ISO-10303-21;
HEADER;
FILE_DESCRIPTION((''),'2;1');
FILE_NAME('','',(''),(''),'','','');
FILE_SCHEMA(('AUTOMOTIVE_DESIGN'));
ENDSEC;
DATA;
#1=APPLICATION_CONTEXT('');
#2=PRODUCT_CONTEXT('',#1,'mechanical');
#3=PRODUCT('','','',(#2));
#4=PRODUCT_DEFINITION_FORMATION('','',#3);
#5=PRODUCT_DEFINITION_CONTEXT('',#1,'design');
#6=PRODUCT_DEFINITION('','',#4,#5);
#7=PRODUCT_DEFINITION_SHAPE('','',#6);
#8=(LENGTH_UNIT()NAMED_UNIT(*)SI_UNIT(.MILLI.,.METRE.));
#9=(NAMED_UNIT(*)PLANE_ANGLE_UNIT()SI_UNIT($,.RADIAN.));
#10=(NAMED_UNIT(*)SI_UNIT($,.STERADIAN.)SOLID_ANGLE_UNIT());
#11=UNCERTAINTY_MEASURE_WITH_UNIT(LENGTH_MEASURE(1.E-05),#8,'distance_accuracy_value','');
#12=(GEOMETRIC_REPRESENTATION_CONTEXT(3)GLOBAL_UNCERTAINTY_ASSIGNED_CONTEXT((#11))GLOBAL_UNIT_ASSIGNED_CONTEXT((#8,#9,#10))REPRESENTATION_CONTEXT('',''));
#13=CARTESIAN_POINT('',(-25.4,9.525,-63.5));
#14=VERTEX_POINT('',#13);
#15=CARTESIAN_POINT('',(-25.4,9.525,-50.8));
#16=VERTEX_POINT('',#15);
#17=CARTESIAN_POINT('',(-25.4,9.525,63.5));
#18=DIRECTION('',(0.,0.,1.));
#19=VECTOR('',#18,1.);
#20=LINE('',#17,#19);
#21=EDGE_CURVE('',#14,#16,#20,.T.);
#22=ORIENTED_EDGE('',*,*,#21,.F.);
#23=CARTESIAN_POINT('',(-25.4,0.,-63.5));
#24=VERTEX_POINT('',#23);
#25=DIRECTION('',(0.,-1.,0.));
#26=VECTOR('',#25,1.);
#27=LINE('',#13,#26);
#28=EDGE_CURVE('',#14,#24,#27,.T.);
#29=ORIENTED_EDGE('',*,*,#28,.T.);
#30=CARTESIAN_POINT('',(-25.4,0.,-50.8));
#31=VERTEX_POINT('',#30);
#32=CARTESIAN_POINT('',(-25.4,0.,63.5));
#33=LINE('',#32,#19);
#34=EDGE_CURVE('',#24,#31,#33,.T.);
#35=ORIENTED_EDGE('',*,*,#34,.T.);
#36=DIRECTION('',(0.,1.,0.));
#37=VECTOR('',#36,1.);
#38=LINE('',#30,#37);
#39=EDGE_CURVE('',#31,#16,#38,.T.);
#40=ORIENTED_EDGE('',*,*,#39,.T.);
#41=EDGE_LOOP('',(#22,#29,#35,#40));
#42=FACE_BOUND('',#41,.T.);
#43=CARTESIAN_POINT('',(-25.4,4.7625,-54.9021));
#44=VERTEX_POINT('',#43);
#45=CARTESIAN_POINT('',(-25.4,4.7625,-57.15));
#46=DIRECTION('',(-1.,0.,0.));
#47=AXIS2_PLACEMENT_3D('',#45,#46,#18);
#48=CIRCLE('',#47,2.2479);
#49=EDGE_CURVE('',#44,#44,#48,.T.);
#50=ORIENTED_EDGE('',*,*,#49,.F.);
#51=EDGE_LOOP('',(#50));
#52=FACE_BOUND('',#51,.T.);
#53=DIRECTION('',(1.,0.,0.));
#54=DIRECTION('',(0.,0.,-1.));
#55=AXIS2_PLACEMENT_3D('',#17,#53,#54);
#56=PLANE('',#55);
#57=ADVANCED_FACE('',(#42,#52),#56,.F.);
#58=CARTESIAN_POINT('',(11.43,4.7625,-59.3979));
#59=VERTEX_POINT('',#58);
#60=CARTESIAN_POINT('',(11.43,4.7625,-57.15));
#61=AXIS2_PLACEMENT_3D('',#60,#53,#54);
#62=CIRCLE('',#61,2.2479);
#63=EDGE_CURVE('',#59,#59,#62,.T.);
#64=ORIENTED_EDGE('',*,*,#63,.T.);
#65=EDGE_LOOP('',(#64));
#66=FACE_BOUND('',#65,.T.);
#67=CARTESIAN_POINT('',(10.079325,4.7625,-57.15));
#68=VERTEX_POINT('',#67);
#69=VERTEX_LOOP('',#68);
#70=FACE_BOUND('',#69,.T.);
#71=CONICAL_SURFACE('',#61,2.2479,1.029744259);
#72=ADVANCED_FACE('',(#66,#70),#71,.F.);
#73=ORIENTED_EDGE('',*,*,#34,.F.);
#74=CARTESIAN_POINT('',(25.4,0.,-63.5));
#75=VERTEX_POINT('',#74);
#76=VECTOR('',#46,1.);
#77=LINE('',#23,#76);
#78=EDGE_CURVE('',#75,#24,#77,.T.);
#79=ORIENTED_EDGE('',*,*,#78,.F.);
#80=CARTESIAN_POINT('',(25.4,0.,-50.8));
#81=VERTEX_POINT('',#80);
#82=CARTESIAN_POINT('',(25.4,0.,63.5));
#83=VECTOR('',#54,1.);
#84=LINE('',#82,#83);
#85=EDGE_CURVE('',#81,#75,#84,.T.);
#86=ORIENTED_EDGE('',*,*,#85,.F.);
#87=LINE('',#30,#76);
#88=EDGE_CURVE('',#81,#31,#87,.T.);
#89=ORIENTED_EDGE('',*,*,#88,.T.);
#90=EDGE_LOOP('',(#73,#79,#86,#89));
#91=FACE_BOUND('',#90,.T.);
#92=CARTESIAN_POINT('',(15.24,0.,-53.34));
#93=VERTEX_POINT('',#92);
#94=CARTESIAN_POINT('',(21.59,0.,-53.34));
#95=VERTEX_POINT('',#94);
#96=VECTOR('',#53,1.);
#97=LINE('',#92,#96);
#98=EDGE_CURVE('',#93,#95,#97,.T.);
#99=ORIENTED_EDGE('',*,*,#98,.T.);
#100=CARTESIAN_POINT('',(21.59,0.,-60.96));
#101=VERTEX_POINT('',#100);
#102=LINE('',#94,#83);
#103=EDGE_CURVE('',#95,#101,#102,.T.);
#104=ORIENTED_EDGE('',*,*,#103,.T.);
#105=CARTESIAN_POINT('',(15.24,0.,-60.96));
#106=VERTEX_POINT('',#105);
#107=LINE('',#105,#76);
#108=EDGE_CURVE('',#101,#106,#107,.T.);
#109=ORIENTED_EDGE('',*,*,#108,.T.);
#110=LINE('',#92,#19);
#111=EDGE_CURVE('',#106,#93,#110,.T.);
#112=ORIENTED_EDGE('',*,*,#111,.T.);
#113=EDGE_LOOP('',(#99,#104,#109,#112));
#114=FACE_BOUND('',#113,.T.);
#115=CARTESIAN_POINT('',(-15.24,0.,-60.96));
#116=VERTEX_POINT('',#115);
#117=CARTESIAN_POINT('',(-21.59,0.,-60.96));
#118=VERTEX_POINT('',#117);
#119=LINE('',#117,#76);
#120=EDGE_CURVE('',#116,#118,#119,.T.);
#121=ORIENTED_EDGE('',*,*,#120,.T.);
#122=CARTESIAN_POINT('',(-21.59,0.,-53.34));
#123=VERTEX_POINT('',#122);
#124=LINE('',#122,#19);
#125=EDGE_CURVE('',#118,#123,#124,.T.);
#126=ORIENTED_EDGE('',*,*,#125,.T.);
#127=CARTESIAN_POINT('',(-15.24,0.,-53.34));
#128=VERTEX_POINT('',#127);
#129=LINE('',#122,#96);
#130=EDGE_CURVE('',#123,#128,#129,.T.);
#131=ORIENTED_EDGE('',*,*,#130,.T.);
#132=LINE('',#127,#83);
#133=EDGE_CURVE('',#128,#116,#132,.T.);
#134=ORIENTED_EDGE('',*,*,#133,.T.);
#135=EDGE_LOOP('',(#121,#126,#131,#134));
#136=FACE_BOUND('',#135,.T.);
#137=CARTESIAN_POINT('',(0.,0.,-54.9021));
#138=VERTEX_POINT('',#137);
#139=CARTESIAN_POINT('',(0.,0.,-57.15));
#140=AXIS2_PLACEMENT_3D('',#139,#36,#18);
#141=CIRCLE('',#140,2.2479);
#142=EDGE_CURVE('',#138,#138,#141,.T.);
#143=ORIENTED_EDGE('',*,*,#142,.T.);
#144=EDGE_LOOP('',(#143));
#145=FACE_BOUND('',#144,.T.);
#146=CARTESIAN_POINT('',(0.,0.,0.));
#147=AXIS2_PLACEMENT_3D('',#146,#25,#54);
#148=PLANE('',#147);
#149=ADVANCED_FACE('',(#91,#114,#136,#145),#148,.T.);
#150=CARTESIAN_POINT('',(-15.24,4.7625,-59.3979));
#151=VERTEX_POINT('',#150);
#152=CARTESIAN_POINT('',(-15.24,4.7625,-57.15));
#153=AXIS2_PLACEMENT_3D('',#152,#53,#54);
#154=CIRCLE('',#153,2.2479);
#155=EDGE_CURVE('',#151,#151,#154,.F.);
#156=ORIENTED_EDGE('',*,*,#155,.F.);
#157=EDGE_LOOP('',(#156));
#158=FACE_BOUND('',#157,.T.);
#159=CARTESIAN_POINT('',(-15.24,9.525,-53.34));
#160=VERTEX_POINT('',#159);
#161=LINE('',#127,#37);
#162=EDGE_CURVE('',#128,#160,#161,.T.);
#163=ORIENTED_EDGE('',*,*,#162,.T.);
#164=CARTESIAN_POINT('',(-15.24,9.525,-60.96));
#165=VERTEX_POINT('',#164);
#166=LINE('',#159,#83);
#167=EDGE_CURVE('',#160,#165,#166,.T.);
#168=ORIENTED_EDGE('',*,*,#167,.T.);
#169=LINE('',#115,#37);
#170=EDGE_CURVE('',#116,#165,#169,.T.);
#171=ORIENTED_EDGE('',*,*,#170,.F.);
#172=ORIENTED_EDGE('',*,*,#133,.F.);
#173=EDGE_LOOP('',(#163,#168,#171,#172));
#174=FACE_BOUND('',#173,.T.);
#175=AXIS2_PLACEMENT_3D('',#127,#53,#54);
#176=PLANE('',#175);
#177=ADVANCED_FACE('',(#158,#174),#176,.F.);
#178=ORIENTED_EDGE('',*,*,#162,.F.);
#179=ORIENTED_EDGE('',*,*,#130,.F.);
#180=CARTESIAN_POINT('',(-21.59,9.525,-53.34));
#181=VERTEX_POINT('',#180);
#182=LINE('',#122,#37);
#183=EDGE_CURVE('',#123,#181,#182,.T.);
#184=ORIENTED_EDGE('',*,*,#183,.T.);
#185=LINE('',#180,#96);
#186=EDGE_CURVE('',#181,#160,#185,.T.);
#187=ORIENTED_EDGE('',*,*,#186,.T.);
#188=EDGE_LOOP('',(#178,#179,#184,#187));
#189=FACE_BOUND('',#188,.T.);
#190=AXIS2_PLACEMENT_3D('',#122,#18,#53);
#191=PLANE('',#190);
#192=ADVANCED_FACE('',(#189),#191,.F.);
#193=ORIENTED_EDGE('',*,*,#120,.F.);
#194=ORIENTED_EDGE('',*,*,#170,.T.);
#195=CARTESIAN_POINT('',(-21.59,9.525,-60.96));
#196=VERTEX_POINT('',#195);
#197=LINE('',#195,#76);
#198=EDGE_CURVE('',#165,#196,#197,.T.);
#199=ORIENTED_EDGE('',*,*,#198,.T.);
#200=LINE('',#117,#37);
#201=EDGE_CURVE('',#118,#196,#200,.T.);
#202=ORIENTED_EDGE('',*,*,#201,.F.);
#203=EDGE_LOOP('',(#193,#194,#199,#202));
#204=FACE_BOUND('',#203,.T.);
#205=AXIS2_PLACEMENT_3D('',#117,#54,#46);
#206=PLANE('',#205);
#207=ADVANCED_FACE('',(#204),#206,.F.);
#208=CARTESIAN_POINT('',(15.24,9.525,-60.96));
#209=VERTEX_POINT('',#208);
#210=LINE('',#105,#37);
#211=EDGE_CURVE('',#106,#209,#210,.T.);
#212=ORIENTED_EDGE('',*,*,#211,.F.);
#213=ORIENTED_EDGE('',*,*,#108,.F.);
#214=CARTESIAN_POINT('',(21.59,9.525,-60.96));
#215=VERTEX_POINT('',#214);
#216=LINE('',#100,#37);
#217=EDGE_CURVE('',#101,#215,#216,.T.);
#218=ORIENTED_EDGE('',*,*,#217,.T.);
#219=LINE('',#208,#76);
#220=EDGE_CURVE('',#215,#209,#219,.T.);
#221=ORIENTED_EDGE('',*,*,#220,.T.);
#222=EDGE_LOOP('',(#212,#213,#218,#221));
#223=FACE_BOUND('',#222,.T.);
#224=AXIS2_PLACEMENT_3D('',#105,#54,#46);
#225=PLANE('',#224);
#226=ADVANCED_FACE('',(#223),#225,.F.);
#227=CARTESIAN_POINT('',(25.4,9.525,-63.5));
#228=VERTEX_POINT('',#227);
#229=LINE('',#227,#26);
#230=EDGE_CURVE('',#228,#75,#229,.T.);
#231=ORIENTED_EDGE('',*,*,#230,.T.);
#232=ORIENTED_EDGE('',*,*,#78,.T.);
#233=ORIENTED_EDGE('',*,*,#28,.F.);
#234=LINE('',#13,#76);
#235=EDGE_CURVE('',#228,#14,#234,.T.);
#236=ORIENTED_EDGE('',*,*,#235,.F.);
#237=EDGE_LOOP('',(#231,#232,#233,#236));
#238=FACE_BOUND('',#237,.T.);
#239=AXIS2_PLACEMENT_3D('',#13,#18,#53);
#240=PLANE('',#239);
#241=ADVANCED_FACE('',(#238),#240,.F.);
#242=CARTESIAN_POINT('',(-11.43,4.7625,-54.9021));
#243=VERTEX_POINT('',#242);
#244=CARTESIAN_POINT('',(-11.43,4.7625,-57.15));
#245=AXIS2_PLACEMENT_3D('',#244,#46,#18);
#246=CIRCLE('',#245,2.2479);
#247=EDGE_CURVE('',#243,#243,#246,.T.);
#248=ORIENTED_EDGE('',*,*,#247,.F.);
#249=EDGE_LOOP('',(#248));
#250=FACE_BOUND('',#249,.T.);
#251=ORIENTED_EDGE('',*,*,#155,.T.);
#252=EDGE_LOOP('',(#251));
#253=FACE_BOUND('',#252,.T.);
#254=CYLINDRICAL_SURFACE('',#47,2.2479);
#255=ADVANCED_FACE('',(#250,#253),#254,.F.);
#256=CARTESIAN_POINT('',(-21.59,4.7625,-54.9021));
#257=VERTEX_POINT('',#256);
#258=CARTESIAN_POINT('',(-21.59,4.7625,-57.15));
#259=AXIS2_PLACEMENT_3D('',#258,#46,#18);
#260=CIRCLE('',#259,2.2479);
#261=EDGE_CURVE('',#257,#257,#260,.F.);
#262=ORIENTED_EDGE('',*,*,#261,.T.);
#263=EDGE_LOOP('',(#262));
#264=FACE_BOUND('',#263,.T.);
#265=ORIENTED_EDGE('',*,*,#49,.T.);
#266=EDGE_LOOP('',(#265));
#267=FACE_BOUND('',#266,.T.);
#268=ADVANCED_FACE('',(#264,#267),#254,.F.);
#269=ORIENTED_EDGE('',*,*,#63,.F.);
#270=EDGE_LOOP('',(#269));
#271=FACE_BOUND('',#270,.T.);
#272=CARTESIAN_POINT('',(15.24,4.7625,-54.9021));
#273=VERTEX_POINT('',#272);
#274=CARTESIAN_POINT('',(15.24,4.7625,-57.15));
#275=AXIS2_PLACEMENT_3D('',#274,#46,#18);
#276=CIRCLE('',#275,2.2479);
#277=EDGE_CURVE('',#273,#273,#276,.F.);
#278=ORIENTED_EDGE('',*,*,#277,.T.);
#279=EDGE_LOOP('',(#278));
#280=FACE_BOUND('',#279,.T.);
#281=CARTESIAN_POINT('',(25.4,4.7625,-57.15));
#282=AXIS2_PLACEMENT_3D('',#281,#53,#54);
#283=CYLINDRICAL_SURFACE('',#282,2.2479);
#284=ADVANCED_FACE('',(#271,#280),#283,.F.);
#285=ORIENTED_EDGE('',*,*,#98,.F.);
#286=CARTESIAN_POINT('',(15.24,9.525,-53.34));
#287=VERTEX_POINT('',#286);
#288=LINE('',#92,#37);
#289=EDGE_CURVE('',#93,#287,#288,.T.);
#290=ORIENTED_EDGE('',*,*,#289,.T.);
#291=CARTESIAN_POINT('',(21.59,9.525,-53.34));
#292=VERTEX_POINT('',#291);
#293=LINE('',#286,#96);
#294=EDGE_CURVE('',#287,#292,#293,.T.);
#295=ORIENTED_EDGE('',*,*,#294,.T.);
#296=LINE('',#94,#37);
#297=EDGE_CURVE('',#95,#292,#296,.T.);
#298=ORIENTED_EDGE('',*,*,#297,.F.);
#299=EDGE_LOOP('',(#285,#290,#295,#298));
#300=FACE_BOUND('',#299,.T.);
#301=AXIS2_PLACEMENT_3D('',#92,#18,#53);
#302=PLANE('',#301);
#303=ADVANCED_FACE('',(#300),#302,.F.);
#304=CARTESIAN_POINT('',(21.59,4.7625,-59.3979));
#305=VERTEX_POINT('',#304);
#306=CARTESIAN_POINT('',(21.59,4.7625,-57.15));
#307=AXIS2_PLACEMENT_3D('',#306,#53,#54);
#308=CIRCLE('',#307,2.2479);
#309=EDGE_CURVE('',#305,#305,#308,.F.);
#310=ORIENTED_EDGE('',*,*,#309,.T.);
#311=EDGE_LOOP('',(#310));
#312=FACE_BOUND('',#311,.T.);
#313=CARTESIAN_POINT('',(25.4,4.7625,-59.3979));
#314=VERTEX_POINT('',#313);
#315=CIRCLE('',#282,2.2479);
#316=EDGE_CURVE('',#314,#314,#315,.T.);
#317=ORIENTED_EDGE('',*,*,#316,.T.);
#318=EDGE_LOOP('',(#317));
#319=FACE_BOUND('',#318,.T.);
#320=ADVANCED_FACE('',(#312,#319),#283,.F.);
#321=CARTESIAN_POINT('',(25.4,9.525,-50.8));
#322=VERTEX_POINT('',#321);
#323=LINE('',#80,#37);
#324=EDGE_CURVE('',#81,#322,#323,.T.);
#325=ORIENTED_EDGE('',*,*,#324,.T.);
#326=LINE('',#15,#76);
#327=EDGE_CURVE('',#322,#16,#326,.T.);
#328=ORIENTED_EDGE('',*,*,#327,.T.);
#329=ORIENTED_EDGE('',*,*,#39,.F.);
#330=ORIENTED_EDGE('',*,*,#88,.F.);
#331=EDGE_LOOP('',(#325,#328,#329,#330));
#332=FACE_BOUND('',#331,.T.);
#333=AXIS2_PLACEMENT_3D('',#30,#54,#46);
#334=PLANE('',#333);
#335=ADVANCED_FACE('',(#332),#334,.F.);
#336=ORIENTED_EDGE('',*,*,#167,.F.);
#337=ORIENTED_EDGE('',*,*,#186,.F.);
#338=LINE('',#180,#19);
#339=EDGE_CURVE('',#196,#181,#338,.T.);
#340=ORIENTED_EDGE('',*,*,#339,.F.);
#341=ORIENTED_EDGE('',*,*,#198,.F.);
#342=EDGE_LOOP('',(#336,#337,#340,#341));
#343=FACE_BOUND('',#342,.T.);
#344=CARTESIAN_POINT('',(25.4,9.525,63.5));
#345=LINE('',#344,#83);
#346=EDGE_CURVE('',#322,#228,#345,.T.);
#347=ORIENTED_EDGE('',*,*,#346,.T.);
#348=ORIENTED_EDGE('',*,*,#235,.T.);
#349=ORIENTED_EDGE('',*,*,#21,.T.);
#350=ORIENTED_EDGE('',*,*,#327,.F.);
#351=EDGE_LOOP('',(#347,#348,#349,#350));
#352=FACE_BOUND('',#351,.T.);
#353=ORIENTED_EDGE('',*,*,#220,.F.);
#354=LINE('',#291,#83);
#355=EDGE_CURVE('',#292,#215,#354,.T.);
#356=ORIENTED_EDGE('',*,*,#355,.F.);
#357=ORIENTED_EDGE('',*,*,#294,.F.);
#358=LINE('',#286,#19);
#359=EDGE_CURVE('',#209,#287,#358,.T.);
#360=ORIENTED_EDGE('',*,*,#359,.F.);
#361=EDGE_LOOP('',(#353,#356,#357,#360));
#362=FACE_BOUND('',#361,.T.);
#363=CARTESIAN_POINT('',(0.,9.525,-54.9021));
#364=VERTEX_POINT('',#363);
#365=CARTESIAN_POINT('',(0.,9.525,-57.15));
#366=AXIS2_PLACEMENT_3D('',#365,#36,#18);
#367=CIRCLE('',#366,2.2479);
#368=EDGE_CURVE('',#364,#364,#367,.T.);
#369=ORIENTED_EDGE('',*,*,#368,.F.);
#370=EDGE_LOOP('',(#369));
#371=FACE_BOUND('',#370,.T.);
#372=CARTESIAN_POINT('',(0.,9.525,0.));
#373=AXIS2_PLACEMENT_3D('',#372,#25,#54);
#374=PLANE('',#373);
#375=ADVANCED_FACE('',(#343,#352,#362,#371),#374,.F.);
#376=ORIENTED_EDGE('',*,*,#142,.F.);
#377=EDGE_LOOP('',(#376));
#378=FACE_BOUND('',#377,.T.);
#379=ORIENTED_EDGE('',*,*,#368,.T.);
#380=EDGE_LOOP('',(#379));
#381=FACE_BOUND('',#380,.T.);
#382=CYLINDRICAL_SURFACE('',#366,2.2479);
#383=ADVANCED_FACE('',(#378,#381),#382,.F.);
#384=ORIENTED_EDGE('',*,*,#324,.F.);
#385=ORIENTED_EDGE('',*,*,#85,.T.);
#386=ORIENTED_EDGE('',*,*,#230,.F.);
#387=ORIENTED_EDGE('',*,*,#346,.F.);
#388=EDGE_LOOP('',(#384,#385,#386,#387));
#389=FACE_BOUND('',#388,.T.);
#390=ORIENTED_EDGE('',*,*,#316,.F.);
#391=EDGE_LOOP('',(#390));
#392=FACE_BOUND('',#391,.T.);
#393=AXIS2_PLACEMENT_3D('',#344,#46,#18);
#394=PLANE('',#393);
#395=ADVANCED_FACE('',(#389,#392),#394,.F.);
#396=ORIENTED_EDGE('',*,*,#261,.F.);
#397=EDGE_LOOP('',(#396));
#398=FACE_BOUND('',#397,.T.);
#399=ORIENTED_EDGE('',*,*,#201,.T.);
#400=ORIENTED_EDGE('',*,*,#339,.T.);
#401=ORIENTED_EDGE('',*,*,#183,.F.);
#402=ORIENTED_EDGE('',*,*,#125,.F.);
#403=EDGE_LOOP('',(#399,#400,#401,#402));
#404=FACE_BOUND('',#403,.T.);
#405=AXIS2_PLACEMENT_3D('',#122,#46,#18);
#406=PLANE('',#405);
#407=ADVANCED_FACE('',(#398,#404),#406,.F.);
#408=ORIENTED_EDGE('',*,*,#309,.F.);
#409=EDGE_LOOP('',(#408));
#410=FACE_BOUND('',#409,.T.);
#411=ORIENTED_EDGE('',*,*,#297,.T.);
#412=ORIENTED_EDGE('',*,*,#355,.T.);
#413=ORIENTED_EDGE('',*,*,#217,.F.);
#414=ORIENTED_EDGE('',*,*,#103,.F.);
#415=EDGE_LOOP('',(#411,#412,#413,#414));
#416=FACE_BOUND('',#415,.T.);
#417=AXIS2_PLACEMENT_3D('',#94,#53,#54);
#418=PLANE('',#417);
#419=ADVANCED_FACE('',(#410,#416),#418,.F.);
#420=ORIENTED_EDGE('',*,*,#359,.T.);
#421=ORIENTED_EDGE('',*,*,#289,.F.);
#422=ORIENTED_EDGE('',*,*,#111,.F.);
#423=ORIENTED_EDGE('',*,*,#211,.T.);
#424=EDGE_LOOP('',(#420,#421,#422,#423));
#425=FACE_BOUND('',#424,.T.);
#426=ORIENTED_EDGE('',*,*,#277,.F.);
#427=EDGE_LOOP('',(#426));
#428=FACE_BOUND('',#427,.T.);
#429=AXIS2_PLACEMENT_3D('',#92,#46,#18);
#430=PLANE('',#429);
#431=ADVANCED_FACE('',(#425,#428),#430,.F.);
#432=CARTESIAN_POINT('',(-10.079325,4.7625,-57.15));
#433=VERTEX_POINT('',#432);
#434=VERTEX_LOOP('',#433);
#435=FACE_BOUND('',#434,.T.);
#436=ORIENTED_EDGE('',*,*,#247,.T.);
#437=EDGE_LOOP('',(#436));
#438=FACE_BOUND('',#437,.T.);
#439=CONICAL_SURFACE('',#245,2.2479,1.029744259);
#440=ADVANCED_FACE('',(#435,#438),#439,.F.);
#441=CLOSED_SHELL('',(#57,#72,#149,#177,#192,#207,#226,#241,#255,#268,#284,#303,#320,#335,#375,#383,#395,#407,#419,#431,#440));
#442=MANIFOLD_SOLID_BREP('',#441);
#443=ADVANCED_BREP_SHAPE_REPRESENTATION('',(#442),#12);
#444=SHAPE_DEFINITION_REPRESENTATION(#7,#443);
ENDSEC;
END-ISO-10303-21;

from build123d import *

# Parameters (mm, degrees)
SKETCH1_W                 = 50.8
SKETCH1_H                 = 127
BOSS_EXTRUDE1_DEPTH       = 9.525
SKETCH2_W                 = 50.8
SKETCH2_H                 = 152.4
CUT_EXTRUDE1_DEPTH        = 70.051688068
F_8_CLEARANCE_HOLE1_D     = 4.4958
F_8_CLEARANCE_HOLE2_D     = 4.4958
F_8_CLEARANCE_HOLE2_DEPTH = 13.97
F_8_CLEARANCE_HOLE2_TIP   = 1.350674586
F_8_CLEARANCE_HOLE3_D     = 4.4958
F_8_CLEARANCE_HOLE3_DEPTH = 13.97
F_8_CLEARANCE_HOLE3_TIP   = 1.350674586
SKETCH12_W                = 6.35
SKETCH12_H                = 7.62
CUT_EXTRUDE2_DEPTH        = 70.051688068


with BuildPart() as part:
    # Sketch1 → Boss-Extrude1 (new body)
    with BuildSketch(Plane(origin=(0, 0, 0), x_dir=(1, 0, 0), z_dir=(0, 1, 0))):
        Rectangle(SKETCH1_W, SKETCH1_H)
    extrude(amount=BOSS_EXTRUDE1_DEPTH)

    # Sketch2 → Cut-Extrude1 (cut, through all)
    with BuildSketch(Plane(origin=(0, 9.525, 0), x_dir=(1, 0, 0), z_dir=(0, 1, 0))):
        with Locations((0, -25.4)):
            Rectangle(SKETCH2_W, SKETCH2_H)
    extrude(amount=-CUT_EXTRUDE1_DEPTH, mode=Mode.SUBTRACT)

    # #8 Clearance Hole1 (through all)
    with Locations(Plane(origin=(0, 9.525, 0), x_dir=(1, 0, 0), z_dir=(0, 1, 0))):
        with Locations((0, 57.15)):
            Hole(F_8_CLEARANCE_HOLE1_D / 2)

    # #8 Clearance Hole2
    with Locations(Plane.ZY.offset(25.4)):
        with Locations((-57.15, 4.7625)):
            Hole(F_8_CLEARANCE_HOLE2_D / 2, depth=F_8_CLEARANCE_HOLE2_DEPTH)
            with Locations((0, 0, -(F_8_CLEARANCE_HOLE2_DEPTH + F_8_CLEARANCE_HOLE2_TIP / 2))):  # 118° drill point
                Cone(0, F_8_CLEARANCE_HOLE2_D / 2, F_8_CLEARANCE_HOLE2_TIP, mode=Mode.SUBTRACT)

    # #8 Clearance Hole3
    with Locations(Plane(origin=(25.4, 0, 0), x_dir=(0, 0, -1), z_dir=(1, 0, 0))):
        with Locations((57.15, 4.7625)):
            Hole(F_8_CLEARANCE_HOLE3_D / 2, depth=F_8_CLEARANCE_HOLE3_DEPTH)
            with Locations((0, 0, -(F_8_CLEARANCE_HOLE3_DEPTH + F_8_CLEARANCE_HOLE3_TIP / 2))):  # 118° drill point
                Cone(0, F_8_CLEARANCE_HOLE3_D / 2, F_8_CLEARANCE_HOLE3_TIP, mode=Mode.SUBTRACT)

    # Sketch12 → Cut-Extrude2 (cut, through all)
    with BuildSketch(Plane(origin=(0, 9.525, 0), x_dir=(1, 0, 0), z_dir=(0, 1, 0))):
        with Locations((-18.415, 57.15)):
            Rectangle(SKETCH12_W, SKETCH12_H)
        with Locations((18.415, 57.15)):
            Rectangle(SKETCH12_W, SKETCH12_H)
    extrude(amount=-CUT_EXTRUDE2_DEPTH, mode=Mode.SUBTRACT)


solid = part.part
